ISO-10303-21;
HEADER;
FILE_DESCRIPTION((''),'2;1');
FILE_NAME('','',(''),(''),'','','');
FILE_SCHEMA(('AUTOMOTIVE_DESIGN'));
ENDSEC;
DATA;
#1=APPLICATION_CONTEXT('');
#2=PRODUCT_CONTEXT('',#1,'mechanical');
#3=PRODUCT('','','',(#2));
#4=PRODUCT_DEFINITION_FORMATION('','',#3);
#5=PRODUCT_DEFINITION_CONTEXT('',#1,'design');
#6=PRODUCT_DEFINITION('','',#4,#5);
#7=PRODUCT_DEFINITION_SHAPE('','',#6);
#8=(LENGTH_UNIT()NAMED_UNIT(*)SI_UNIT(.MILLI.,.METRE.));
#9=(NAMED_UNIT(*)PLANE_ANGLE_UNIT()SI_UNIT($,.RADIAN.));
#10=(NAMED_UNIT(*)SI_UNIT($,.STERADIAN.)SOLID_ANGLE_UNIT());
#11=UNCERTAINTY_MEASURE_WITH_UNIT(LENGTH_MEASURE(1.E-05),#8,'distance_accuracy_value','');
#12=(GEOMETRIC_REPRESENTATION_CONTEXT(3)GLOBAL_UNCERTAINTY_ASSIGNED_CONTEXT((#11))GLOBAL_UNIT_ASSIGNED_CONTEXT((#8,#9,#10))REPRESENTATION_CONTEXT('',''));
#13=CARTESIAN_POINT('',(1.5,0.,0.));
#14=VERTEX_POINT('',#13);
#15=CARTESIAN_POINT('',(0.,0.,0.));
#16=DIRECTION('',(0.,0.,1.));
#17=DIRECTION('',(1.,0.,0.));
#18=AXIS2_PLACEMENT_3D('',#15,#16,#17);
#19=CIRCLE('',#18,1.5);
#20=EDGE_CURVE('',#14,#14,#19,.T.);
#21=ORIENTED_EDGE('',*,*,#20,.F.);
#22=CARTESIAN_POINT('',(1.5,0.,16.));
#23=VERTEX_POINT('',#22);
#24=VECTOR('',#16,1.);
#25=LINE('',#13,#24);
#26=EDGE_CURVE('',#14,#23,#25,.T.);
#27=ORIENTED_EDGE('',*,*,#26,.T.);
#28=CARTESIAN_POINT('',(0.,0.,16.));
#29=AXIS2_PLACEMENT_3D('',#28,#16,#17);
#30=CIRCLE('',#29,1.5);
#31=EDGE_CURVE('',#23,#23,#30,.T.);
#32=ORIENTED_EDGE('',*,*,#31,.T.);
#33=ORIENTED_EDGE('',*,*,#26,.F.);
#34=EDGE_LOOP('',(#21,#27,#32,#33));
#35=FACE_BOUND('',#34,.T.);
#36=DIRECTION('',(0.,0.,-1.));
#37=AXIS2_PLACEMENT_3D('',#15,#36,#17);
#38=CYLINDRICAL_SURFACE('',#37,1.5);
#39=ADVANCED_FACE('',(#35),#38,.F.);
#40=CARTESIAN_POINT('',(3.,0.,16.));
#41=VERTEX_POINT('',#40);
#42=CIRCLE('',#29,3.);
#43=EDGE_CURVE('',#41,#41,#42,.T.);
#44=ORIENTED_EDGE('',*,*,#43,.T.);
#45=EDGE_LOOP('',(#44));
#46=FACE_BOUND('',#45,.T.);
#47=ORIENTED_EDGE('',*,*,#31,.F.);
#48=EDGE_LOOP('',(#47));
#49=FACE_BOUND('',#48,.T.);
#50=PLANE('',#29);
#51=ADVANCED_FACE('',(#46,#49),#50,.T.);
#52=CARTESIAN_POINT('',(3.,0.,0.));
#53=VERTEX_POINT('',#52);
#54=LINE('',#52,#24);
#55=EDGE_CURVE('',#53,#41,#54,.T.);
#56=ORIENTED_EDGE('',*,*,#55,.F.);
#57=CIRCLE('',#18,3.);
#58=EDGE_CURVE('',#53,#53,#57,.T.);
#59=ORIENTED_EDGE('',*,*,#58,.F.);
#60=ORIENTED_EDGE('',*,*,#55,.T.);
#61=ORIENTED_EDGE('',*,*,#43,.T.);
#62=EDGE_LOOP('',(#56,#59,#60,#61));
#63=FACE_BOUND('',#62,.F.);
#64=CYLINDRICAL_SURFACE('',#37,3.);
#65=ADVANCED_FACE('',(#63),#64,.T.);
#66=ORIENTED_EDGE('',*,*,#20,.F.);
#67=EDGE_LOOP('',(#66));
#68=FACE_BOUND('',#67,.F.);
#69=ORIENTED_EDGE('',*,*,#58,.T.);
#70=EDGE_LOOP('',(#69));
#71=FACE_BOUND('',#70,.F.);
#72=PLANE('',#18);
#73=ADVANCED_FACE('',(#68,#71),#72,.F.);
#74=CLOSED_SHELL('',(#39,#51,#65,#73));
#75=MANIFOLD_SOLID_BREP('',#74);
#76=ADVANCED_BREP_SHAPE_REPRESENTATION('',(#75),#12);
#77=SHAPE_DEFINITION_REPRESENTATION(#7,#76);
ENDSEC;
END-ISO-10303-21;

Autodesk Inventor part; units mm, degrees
ref_plane "YZ Plane" through (0, 0, 0) normal (1, 0, 0) x (0, 1, 0)
ref_plane "XZ Plane" through (0, 0, 0) normal (0, 1, 0) x (-1, 0, 0)
ref_plane "XY Plane" through (0, 0, 0) normal (0, 0, 1) x (1, 0, 0)
sketch "スケッチ1" plane through (0, 0, 0) normal (0, 0, 1) x (1, 0, 0)
  circle A0 centre (0, 0) radius 3
  circle A1 centre (0, 0) radius 1.5
  dimension "d0" = 6
  dimension "d1" = 3
extrude "押し出し1" add sketch "スケッチ1" along normal blind 16
properties part number "スペーサーm3-16　簡易筒型" material "アルミニウム 2014-T4"
